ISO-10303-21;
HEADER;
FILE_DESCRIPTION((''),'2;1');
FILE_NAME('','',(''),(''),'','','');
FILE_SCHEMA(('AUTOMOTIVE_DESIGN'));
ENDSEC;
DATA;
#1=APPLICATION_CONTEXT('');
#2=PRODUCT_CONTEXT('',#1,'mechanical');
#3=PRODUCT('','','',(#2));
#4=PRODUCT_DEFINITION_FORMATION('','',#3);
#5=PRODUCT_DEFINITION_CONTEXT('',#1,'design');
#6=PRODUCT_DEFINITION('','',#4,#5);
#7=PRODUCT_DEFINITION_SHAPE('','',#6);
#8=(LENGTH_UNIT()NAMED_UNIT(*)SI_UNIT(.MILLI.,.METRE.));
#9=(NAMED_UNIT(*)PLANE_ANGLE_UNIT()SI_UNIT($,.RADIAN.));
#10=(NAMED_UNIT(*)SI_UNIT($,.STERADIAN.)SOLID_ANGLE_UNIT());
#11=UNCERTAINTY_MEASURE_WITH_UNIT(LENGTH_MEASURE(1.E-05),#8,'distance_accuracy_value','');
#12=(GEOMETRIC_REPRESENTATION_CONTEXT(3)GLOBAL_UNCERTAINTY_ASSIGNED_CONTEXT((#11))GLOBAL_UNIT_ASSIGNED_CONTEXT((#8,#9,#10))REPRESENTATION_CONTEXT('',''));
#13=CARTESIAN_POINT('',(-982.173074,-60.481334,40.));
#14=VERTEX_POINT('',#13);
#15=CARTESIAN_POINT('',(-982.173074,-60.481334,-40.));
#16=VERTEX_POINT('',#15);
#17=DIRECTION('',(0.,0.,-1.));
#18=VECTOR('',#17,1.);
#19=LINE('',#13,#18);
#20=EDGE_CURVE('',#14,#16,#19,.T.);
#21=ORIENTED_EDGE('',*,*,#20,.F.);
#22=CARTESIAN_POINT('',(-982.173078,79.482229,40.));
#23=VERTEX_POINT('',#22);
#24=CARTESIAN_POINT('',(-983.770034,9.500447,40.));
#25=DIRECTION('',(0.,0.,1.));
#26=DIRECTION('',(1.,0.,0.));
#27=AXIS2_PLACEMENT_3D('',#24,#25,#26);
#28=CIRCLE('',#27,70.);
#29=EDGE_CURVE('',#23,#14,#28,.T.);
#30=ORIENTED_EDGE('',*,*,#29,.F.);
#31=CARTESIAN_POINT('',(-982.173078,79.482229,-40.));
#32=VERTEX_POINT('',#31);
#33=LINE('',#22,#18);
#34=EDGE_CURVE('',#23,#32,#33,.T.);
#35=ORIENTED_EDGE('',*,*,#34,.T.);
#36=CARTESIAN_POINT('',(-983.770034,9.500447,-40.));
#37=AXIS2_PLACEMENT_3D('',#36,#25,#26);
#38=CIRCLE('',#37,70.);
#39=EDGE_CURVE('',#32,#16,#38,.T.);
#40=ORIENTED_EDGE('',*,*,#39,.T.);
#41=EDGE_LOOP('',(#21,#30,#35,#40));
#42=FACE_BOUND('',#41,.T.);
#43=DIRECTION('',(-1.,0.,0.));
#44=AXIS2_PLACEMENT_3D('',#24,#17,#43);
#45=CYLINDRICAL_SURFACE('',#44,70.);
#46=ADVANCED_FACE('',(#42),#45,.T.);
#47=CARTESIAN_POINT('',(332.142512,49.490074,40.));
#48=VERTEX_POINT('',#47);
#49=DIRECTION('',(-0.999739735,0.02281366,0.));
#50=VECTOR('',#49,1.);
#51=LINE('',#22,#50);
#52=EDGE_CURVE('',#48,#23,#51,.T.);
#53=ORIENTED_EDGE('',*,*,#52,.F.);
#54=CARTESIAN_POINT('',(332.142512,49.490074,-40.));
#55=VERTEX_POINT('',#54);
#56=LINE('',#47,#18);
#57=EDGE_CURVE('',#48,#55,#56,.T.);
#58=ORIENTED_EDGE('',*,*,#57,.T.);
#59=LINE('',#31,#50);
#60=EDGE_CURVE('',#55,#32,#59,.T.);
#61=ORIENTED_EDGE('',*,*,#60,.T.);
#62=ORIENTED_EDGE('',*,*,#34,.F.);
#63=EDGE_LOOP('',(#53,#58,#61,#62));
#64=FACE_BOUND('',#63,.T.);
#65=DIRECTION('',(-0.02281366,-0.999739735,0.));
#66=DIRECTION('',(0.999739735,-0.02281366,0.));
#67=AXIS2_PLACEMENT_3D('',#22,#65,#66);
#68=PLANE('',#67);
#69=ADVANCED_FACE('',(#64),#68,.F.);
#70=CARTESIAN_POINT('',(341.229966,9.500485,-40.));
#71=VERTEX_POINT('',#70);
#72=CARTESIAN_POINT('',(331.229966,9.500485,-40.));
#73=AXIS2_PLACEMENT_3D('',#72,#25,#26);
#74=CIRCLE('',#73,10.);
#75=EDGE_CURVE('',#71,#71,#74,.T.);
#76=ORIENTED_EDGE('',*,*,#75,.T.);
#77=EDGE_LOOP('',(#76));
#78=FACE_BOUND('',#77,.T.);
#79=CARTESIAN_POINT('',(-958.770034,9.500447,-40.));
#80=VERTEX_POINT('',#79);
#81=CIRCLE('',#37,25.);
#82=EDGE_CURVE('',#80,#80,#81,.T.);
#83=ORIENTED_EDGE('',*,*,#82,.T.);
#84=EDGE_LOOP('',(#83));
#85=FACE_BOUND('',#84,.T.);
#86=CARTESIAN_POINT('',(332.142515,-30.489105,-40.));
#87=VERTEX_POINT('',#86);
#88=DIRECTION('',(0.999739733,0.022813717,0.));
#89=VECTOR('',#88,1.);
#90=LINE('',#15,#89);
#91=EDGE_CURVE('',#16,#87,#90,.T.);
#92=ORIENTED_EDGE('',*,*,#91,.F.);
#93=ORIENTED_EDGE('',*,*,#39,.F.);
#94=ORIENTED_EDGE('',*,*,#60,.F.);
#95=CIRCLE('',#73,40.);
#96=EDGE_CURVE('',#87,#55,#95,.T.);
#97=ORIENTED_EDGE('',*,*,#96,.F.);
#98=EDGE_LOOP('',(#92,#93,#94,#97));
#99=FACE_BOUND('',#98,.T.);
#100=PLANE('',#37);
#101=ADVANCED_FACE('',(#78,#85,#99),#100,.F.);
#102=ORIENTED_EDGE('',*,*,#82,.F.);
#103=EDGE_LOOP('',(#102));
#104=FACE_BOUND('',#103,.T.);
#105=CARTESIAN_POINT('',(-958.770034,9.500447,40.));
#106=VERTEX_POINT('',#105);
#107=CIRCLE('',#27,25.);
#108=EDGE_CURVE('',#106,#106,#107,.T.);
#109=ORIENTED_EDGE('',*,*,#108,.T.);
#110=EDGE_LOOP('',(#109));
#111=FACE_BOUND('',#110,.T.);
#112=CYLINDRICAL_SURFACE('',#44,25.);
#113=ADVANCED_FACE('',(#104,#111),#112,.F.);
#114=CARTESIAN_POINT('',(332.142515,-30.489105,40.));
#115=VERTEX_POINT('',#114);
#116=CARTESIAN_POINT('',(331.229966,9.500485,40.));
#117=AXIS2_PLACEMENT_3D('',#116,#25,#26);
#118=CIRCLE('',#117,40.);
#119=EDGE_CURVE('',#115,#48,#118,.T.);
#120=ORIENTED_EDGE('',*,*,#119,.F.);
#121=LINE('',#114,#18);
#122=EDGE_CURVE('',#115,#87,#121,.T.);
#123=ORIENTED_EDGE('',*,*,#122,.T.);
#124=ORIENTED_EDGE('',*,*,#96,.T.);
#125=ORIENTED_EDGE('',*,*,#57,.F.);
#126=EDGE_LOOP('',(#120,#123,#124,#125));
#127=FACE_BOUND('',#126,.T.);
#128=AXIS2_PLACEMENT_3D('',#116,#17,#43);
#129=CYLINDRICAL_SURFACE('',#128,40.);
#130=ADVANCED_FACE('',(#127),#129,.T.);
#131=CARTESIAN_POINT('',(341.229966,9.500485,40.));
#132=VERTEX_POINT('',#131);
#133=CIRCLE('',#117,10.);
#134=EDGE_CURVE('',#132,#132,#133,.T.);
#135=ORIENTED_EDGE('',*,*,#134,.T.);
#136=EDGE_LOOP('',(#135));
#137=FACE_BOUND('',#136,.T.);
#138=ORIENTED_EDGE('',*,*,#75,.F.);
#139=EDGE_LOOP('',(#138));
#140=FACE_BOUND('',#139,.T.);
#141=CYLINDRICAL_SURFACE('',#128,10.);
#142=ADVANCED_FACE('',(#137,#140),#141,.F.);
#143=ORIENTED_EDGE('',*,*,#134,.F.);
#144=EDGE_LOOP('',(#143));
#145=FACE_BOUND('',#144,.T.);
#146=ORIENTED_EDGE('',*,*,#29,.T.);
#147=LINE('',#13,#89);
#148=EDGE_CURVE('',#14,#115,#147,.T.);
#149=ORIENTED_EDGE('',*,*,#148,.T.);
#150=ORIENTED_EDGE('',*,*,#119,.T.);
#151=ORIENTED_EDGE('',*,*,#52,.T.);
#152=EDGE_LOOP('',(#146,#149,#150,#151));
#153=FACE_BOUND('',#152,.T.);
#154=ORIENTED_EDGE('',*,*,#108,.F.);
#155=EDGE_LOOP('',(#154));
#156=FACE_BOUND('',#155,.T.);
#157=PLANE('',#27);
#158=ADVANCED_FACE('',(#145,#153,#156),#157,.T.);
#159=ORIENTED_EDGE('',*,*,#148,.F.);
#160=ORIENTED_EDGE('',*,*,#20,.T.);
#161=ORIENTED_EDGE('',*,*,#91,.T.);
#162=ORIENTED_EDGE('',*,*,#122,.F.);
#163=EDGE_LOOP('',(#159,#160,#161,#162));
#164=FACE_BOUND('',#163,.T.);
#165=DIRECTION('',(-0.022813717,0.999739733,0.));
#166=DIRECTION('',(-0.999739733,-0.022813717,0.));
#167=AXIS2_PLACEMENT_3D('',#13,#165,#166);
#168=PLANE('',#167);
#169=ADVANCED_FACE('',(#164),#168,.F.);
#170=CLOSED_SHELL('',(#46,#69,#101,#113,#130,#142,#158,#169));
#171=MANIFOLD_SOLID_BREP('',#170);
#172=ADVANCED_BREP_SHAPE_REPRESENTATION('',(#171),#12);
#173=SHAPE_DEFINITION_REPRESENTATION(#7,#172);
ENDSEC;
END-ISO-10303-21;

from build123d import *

# Parameters (mm, degrees)
SKETCH1_R           = 25
SKETCH1_R_2         = 10
BOSS_EXTRUDE1_DEPTH = 40


with BuildPart() as part:
    # Sketch1 → Boss-Extrude1 (new, symmetric)
    with BuildSketch(Plane.XY):
        with BuildLine():
            Line((-982.173077727, 79.482228812), (332.14251248, 49.490074215))
            ThreePointArc((332.14251248, 49.490074215), (371.22996609, 9.50048597), (332.142514757, -30.489104501))
            Line((332.142514757, -30.489104501), (-982.173073742, -60.48133394))
            ThreePointArc((-982.173073742, -60.48133394), (-1053.77003391, 9.500445398), (-982.173077727, 79.482228812))
        make_face()
        with Locations((-983.77003391, 9.500447391)):
            Circle(SKETCH1_R, mode=Mode.SUBTRACT)
        with Locations((331.22996609, 9.500484831)):
            Circle(SKETCH1_R_2, mode=Mode.SUBTRACT)
    extrude(amount=BOSS_EXTRUDE1_DEPTH, both=True)


solid = part.part
